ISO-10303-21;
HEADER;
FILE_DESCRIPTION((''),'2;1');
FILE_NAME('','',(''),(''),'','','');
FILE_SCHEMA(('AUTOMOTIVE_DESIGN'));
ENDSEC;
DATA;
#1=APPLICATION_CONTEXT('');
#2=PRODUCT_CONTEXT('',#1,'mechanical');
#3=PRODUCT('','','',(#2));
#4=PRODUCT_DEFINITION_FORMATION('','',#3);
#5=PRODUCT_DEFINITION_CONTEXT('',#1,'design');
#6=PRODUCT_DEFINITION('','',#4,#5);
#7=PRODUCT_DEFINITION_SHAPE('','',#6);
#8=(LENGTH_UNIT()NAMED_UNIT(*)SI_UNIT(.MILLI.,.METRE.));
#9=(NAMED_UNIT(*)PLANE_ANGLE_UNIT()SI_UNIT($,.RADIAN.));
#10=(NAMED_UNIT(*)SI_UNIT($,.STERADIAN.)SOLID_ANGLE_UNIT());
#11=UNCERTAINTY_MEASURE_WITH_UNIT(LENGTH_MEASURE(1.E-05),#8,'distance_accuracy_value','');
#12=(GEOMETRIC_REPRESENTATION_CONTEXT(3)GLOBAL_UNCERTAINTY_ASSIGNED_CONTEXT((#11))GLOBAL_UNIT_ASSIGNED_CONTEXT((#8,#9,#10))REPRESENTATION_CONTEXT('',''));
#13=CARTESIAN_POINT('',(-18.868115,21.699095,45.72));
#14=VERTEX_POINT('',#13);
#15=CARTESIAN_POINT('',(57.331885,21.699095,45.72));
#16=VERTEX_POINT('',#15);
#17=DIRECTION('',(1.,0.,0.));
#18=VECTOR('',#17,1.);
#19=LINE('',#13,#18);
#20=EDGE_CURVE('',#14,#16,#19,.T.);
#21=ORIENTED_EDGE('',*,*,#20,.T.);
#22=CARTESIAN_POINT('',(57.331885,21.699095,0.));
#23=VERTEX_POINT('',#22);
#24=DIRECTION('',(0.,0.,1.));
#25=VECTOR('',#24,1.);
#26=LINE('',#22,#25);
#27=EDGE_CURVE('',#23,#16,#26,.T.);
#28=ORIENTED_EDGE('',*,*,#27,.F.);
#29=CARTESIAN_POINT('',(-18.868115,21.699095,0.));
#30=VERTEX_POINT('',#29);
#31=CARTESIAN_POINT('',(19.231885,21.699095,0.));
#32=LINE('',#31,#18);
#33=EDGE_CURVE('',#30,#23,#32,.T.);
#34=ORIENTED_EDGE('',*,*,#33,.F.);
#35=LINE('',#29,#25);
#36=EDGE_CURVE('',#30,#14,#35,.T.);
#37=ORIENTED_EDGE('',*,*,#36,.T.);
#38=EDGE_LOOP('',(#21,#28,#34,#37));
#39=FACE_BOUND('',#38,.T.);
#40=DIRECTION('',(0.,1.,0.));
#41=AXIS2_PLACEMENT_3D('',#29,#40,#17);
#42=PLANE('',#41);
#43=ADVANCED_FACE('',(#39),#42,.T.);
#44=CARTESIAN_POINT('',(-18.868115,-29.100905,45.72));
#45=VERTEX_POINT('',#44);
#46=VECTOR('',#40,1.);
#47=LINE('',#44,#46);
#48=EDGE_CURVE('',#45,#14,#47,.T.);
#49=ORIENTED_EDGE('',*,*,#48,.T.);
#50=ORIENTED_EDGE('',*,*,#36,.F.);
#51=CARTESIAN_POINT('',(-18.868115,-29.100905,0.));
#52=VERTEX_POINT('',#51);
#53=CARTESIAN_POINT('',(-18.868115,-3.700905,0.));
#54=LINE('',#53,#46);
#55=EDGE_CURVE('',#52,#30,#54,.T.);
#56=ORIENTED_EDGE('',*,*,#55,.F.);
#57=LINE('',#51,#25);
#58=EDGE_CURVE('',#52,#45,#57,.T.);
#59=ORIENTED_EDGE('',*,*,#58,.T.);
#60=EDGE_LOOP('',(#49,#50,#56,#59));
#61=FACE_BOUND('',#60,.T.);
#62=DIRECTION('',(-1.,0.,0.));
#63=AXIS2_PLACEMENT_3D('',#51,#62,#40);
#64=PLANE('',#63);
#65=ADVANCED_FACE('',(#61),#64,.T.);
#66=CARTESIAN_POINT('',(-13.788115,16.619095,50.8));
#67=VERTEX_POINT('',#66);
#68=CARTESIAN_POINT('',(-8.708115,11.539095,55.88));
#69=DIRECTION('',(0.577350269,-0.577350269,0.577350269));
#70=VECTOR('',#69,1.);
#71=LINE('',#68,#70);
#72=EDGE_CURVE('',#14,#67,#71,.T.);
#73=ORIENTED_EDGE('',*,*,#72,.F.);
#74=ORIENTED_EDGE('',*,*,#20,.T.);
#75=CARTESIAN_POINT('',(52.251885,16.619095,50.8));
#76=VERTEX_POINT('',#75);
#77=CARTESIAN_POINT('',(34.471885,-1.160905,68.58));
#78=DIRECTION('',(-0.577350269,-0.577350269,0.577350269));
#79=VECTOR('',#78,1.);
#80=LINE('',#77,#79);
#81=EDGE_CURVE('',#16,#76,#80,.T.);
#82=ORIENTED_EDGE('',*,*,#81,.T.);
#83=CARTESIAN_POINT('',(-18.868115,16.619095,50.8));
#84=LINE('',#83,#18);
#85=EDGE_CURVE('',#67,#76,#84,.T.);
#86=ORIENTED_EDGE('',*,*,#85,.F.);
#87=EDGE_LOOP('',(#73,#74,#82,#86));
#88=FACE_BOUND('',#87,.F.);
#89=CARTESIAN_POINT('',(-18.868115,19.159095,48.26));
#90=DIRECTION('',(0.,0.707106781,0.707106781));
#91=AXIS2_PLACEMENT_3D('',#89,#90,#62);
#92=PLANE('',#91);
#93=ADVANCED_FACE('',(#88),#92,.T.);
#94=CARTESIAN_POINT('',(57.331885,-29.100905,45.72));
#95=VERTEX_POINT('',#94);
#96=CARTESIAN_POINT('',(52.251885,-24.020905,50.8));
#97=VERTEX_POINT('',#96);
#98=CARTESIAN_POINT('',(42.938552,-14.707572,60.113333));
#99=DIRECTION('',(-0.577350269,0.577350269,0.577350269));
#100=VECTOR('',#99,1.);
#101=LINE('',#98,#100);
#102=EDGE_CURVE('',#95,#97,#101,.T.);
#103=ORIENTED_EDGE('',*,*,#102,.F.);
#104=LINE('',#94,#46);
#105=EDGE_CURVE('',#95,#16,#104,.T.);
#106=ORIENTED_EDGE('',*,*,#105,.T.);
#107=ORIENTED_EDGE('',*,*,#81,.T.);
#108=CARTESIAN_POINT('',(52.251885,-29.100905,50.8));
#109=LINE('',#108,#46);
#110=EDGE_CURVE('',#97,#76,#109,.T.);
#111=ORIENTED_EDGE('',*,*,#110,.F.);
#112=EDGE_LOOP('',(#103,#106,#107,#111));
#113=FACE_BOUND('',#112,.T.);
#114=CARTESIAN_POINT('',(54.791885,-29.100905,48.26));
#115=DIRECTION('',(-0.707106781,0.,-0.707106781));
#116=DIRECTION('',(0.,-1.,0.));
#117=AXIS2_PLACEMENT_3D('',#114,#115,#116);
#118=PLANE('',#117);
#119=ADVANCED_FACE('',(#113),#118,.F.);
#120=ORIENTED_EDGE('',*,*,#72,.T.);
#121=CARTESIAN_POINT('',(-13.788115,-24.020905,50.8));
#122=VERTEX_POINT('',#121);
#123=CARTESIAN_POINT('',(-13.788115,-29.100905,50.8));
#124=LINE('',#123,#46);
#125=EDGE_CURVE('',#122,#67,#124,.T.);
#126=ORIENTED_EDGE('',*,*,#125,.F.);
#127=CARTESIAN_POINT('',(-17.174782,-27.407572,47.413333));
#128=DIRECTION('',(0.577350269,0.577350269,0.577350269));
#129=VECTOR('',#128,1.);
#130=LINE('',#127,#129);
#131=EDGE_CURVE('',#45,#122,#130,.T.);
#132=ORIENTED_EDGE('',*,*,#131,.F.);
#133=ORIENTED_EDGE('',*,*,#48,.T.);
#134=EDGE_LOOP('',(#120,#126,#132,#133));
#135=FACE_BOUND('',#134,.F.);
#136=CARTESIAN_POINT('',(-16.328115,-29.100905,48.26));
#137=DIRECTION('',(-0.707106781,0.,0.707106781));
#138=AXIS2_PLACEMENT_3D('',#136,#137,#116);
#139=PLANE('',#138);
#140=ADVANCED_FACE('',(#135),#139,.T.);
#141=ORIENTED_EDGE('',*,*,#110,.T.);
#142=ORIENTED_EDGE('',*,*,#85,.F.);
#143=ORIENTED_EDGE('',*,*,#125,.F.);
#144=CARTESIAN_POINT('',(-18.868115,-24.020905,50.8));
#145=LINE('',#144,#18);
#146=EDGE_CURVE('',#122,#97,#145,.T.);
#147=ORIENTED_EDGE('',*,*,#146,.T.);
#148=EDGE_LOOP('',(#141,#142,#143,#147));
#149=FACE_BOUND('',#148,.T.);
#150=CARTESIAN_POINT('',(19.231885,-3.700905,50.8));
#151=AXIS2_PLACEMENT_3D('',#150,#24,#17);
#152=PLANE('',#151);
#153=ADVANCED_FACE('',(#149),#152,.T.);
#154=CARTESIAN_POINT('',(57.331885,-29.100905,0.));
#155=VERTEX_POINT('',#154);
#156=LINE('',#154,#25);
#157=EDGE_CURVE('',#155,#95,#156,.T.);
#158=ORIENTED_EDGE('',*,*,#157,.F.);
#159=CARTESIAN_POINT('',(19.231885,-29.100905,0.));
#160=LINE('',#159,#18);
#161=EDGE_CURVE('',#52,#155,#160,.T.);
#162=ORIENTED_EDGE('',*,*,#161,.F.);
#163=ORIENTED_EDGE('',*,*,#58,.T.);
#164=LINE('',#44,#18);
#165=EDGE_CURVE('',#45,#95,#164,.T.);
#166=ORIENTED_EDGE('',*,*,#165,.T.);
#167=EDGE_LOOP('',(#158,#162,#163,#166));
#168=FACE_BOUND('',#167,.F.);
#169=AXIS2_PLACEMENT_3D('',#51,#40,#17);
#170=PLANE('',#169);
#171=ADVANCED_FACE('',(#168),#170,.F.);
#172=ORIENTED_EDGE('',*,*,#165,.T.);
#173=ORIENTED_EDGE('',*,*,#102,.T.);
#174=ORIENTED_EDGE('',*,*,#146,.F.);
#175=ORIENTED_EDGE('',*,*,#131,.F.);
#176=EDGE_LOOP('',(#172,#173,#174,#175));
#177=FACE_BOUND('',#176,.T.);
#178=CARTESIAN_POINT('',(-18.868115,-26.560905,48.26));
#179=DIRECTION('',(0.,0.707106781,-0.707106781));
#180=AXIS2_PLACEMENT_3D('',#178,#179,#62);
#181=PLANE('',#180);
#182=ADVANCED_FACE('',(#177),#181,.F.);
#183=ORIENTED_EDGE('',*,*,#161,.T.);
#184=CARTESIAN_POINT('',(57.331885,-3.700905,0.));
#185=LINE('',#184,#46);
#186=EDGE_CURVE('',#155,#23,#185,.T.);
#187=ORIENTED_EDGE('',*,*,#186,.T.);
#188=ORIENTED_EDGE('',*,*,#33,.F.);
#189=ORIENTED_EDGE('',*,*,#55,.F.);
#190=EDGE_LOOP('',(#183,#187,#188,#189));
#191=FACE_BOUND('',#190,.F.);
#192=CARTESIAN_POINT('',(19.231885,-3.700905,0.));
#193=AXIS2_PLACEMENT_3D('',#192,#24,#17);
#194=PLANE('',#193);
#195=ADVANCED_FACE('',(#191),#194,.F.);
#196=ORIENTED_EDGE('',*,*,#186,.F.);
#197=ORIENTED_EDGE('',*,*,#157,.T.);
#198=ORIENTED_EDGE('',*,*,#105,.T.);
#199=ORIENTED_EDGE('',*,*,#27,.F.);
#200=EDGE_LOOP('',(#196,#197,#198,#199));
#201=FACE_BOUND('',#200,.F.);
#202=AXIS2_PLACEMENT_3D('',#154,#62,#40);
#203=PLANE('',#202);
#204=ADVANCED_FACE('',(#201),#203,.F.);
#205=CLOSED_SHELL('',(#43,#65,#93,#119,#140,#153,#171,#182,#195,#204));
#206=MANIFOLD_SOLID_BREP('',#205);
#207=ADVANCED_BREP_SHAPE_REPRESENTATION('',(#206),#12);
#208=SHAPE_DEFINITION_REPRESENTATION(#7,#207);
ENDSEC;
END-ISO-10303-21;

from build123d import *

# Parameters (mm, degrees)
F0_W     = 76.2
F0_H     = 50.8
F1_DEPTH = 50.8
F2_SIZE  = 5.08


with BuildPart() as f1:
    # F0 (on Top) → F1 (new body)
    with BuildSketch(Plane.XY):
        with Locations((19.231885, -3.700905)):
            Rectangle(F0_W, F0_H)
    extrude(amount=F1_DEPTH)

    # F2
    f2_edges = [f1.edges().sort_by_distance(p)[0] for p in [
        (19.231885, -29.100905, 50.8),
        (57.331885, -3.700905, 50.8),
        (19.231885, 21.699095, 50.8),
        (-18.868115, -3.700905, 50.8),
    ]]
    chamfer(f2_edges, length=F2_SIZE)


solid = f1.part
